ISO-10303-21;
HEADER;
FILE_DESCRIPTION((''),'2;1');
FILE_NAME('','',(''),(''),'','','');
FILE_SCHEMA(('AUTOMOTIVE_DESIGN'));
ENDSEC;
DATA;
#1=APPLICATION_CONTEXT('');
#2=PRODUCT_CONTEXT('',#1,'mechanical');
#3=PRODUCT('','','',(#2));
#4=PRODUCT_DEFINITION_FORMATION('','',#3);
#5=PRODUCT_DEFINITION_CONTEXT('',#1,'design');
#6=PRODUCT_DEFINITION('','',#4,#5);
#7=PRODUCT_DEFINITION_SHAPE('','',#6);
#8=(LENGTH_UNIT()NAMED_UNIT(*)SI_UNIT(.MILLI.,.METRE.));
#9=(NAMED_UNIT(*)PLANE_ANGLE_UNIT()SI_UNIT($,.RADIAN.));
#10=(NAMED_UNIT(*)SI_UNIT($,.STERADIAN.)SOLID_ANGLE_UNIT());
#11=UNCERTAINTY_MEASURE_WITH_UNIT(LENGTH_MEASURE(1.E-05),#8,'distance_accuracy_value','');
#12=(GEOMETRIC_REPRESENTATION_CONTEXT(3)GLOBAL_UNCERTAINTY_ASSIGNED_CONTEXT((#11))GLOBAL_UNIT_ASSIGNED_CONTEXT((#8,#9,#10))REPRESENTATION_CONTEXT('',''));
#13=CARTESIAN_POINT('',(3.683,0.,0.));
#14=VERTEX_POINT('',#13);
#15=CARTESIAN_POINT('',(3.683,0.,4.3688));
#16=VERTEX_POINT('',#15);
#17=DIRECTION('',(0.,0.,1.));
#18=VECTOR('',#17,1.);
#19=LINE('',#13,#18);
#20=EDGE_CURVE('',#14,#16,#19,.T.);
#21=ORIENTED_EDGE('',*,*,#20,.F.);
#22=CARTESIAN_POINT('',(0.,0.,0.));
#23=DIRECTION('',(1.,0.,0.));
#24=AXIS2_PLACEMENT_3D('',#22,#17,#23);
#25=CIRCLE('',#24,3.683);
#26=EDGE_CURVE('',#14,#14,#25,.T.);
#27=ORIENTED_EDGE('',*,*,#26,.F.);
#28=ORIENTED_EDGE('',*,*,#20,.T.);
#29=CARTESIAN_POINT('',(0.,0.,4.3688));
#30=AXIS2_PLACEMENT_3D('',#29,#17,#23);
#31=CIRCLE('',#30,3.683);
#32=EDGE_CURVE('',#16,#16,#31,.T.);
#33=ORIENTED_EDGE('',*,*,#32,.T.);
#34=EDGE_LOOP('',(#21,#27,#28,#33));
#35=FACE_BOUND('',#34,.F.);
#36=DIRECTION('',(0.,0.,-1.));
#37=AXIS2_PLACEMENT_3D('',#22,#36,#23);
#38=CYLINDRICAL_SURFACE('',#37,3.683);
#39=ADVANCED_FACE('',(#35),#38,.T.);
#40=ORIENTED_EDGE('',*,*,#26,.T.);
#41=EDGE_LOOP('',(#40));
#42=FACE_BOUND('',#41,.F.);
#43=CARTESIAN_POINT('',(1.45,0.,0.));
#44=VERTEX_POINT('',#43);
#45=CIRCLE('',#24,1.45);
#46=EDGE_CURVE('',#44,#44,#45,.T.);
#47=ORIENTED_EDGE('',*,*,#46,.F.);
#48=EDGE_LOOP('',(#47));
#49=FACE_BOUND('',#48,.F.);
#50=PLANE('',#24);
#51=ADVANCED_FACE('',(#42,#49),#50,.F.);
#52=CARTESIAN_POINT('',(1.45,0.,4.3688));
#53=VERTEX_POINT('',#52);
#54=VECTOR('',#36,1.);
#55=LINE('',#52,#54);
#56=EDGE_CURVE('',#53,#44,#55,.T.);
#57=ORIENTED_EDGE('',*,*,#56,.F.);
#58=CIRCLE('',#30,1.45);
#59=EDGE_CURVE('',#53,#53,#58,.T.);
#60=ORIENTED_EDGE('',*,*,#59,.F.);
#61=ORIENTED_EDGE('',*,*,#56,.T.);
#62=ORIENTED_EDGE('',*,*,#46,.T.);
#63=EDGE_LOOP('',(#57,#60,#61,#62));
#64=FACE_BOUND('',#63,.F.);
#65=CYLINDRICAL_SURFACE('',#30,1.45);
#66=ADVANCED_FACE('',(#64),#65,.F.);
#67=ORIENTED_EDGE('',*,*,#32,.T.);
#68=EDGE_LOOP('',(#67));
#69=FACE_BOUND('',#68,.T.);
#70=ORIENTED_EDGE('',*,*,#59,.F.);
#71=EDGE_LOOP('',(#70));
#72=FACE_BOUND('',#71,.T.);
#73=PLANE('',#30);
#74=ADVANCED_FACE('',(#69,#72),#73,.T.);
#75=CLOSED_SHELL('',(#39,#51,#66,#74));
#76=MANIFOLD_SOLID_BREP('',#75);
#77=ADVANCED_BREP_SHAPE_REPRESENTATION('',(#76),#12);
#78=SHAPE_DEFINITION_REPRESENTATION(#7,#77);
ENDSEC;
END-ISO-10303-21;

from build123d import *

# Parameters (mm, degrees)
SKETCH_R    = 3.683
PAD_DEPTH   = 4.3688
SKETCH001_R = 1.45
HOLE_DEPTH  = 24.9936


with BuildPart() as part:
    # Sketch → Pad (new body)
    with BuildSketch(Plane.XY):
        Circle(SKETCH_R)
    extrude(amount=PAD_DEPTH)

    # Sketch001 (on Face3 of Pad) → Hole (cut)
    with BuildSketch(Plane.XY.offset(4.3688)):
        Circle(SKETCH001_R)
    extrude(amount=-HOLE_DEPTH, mode=Mode.SUBTRACT)


solid = part.part
